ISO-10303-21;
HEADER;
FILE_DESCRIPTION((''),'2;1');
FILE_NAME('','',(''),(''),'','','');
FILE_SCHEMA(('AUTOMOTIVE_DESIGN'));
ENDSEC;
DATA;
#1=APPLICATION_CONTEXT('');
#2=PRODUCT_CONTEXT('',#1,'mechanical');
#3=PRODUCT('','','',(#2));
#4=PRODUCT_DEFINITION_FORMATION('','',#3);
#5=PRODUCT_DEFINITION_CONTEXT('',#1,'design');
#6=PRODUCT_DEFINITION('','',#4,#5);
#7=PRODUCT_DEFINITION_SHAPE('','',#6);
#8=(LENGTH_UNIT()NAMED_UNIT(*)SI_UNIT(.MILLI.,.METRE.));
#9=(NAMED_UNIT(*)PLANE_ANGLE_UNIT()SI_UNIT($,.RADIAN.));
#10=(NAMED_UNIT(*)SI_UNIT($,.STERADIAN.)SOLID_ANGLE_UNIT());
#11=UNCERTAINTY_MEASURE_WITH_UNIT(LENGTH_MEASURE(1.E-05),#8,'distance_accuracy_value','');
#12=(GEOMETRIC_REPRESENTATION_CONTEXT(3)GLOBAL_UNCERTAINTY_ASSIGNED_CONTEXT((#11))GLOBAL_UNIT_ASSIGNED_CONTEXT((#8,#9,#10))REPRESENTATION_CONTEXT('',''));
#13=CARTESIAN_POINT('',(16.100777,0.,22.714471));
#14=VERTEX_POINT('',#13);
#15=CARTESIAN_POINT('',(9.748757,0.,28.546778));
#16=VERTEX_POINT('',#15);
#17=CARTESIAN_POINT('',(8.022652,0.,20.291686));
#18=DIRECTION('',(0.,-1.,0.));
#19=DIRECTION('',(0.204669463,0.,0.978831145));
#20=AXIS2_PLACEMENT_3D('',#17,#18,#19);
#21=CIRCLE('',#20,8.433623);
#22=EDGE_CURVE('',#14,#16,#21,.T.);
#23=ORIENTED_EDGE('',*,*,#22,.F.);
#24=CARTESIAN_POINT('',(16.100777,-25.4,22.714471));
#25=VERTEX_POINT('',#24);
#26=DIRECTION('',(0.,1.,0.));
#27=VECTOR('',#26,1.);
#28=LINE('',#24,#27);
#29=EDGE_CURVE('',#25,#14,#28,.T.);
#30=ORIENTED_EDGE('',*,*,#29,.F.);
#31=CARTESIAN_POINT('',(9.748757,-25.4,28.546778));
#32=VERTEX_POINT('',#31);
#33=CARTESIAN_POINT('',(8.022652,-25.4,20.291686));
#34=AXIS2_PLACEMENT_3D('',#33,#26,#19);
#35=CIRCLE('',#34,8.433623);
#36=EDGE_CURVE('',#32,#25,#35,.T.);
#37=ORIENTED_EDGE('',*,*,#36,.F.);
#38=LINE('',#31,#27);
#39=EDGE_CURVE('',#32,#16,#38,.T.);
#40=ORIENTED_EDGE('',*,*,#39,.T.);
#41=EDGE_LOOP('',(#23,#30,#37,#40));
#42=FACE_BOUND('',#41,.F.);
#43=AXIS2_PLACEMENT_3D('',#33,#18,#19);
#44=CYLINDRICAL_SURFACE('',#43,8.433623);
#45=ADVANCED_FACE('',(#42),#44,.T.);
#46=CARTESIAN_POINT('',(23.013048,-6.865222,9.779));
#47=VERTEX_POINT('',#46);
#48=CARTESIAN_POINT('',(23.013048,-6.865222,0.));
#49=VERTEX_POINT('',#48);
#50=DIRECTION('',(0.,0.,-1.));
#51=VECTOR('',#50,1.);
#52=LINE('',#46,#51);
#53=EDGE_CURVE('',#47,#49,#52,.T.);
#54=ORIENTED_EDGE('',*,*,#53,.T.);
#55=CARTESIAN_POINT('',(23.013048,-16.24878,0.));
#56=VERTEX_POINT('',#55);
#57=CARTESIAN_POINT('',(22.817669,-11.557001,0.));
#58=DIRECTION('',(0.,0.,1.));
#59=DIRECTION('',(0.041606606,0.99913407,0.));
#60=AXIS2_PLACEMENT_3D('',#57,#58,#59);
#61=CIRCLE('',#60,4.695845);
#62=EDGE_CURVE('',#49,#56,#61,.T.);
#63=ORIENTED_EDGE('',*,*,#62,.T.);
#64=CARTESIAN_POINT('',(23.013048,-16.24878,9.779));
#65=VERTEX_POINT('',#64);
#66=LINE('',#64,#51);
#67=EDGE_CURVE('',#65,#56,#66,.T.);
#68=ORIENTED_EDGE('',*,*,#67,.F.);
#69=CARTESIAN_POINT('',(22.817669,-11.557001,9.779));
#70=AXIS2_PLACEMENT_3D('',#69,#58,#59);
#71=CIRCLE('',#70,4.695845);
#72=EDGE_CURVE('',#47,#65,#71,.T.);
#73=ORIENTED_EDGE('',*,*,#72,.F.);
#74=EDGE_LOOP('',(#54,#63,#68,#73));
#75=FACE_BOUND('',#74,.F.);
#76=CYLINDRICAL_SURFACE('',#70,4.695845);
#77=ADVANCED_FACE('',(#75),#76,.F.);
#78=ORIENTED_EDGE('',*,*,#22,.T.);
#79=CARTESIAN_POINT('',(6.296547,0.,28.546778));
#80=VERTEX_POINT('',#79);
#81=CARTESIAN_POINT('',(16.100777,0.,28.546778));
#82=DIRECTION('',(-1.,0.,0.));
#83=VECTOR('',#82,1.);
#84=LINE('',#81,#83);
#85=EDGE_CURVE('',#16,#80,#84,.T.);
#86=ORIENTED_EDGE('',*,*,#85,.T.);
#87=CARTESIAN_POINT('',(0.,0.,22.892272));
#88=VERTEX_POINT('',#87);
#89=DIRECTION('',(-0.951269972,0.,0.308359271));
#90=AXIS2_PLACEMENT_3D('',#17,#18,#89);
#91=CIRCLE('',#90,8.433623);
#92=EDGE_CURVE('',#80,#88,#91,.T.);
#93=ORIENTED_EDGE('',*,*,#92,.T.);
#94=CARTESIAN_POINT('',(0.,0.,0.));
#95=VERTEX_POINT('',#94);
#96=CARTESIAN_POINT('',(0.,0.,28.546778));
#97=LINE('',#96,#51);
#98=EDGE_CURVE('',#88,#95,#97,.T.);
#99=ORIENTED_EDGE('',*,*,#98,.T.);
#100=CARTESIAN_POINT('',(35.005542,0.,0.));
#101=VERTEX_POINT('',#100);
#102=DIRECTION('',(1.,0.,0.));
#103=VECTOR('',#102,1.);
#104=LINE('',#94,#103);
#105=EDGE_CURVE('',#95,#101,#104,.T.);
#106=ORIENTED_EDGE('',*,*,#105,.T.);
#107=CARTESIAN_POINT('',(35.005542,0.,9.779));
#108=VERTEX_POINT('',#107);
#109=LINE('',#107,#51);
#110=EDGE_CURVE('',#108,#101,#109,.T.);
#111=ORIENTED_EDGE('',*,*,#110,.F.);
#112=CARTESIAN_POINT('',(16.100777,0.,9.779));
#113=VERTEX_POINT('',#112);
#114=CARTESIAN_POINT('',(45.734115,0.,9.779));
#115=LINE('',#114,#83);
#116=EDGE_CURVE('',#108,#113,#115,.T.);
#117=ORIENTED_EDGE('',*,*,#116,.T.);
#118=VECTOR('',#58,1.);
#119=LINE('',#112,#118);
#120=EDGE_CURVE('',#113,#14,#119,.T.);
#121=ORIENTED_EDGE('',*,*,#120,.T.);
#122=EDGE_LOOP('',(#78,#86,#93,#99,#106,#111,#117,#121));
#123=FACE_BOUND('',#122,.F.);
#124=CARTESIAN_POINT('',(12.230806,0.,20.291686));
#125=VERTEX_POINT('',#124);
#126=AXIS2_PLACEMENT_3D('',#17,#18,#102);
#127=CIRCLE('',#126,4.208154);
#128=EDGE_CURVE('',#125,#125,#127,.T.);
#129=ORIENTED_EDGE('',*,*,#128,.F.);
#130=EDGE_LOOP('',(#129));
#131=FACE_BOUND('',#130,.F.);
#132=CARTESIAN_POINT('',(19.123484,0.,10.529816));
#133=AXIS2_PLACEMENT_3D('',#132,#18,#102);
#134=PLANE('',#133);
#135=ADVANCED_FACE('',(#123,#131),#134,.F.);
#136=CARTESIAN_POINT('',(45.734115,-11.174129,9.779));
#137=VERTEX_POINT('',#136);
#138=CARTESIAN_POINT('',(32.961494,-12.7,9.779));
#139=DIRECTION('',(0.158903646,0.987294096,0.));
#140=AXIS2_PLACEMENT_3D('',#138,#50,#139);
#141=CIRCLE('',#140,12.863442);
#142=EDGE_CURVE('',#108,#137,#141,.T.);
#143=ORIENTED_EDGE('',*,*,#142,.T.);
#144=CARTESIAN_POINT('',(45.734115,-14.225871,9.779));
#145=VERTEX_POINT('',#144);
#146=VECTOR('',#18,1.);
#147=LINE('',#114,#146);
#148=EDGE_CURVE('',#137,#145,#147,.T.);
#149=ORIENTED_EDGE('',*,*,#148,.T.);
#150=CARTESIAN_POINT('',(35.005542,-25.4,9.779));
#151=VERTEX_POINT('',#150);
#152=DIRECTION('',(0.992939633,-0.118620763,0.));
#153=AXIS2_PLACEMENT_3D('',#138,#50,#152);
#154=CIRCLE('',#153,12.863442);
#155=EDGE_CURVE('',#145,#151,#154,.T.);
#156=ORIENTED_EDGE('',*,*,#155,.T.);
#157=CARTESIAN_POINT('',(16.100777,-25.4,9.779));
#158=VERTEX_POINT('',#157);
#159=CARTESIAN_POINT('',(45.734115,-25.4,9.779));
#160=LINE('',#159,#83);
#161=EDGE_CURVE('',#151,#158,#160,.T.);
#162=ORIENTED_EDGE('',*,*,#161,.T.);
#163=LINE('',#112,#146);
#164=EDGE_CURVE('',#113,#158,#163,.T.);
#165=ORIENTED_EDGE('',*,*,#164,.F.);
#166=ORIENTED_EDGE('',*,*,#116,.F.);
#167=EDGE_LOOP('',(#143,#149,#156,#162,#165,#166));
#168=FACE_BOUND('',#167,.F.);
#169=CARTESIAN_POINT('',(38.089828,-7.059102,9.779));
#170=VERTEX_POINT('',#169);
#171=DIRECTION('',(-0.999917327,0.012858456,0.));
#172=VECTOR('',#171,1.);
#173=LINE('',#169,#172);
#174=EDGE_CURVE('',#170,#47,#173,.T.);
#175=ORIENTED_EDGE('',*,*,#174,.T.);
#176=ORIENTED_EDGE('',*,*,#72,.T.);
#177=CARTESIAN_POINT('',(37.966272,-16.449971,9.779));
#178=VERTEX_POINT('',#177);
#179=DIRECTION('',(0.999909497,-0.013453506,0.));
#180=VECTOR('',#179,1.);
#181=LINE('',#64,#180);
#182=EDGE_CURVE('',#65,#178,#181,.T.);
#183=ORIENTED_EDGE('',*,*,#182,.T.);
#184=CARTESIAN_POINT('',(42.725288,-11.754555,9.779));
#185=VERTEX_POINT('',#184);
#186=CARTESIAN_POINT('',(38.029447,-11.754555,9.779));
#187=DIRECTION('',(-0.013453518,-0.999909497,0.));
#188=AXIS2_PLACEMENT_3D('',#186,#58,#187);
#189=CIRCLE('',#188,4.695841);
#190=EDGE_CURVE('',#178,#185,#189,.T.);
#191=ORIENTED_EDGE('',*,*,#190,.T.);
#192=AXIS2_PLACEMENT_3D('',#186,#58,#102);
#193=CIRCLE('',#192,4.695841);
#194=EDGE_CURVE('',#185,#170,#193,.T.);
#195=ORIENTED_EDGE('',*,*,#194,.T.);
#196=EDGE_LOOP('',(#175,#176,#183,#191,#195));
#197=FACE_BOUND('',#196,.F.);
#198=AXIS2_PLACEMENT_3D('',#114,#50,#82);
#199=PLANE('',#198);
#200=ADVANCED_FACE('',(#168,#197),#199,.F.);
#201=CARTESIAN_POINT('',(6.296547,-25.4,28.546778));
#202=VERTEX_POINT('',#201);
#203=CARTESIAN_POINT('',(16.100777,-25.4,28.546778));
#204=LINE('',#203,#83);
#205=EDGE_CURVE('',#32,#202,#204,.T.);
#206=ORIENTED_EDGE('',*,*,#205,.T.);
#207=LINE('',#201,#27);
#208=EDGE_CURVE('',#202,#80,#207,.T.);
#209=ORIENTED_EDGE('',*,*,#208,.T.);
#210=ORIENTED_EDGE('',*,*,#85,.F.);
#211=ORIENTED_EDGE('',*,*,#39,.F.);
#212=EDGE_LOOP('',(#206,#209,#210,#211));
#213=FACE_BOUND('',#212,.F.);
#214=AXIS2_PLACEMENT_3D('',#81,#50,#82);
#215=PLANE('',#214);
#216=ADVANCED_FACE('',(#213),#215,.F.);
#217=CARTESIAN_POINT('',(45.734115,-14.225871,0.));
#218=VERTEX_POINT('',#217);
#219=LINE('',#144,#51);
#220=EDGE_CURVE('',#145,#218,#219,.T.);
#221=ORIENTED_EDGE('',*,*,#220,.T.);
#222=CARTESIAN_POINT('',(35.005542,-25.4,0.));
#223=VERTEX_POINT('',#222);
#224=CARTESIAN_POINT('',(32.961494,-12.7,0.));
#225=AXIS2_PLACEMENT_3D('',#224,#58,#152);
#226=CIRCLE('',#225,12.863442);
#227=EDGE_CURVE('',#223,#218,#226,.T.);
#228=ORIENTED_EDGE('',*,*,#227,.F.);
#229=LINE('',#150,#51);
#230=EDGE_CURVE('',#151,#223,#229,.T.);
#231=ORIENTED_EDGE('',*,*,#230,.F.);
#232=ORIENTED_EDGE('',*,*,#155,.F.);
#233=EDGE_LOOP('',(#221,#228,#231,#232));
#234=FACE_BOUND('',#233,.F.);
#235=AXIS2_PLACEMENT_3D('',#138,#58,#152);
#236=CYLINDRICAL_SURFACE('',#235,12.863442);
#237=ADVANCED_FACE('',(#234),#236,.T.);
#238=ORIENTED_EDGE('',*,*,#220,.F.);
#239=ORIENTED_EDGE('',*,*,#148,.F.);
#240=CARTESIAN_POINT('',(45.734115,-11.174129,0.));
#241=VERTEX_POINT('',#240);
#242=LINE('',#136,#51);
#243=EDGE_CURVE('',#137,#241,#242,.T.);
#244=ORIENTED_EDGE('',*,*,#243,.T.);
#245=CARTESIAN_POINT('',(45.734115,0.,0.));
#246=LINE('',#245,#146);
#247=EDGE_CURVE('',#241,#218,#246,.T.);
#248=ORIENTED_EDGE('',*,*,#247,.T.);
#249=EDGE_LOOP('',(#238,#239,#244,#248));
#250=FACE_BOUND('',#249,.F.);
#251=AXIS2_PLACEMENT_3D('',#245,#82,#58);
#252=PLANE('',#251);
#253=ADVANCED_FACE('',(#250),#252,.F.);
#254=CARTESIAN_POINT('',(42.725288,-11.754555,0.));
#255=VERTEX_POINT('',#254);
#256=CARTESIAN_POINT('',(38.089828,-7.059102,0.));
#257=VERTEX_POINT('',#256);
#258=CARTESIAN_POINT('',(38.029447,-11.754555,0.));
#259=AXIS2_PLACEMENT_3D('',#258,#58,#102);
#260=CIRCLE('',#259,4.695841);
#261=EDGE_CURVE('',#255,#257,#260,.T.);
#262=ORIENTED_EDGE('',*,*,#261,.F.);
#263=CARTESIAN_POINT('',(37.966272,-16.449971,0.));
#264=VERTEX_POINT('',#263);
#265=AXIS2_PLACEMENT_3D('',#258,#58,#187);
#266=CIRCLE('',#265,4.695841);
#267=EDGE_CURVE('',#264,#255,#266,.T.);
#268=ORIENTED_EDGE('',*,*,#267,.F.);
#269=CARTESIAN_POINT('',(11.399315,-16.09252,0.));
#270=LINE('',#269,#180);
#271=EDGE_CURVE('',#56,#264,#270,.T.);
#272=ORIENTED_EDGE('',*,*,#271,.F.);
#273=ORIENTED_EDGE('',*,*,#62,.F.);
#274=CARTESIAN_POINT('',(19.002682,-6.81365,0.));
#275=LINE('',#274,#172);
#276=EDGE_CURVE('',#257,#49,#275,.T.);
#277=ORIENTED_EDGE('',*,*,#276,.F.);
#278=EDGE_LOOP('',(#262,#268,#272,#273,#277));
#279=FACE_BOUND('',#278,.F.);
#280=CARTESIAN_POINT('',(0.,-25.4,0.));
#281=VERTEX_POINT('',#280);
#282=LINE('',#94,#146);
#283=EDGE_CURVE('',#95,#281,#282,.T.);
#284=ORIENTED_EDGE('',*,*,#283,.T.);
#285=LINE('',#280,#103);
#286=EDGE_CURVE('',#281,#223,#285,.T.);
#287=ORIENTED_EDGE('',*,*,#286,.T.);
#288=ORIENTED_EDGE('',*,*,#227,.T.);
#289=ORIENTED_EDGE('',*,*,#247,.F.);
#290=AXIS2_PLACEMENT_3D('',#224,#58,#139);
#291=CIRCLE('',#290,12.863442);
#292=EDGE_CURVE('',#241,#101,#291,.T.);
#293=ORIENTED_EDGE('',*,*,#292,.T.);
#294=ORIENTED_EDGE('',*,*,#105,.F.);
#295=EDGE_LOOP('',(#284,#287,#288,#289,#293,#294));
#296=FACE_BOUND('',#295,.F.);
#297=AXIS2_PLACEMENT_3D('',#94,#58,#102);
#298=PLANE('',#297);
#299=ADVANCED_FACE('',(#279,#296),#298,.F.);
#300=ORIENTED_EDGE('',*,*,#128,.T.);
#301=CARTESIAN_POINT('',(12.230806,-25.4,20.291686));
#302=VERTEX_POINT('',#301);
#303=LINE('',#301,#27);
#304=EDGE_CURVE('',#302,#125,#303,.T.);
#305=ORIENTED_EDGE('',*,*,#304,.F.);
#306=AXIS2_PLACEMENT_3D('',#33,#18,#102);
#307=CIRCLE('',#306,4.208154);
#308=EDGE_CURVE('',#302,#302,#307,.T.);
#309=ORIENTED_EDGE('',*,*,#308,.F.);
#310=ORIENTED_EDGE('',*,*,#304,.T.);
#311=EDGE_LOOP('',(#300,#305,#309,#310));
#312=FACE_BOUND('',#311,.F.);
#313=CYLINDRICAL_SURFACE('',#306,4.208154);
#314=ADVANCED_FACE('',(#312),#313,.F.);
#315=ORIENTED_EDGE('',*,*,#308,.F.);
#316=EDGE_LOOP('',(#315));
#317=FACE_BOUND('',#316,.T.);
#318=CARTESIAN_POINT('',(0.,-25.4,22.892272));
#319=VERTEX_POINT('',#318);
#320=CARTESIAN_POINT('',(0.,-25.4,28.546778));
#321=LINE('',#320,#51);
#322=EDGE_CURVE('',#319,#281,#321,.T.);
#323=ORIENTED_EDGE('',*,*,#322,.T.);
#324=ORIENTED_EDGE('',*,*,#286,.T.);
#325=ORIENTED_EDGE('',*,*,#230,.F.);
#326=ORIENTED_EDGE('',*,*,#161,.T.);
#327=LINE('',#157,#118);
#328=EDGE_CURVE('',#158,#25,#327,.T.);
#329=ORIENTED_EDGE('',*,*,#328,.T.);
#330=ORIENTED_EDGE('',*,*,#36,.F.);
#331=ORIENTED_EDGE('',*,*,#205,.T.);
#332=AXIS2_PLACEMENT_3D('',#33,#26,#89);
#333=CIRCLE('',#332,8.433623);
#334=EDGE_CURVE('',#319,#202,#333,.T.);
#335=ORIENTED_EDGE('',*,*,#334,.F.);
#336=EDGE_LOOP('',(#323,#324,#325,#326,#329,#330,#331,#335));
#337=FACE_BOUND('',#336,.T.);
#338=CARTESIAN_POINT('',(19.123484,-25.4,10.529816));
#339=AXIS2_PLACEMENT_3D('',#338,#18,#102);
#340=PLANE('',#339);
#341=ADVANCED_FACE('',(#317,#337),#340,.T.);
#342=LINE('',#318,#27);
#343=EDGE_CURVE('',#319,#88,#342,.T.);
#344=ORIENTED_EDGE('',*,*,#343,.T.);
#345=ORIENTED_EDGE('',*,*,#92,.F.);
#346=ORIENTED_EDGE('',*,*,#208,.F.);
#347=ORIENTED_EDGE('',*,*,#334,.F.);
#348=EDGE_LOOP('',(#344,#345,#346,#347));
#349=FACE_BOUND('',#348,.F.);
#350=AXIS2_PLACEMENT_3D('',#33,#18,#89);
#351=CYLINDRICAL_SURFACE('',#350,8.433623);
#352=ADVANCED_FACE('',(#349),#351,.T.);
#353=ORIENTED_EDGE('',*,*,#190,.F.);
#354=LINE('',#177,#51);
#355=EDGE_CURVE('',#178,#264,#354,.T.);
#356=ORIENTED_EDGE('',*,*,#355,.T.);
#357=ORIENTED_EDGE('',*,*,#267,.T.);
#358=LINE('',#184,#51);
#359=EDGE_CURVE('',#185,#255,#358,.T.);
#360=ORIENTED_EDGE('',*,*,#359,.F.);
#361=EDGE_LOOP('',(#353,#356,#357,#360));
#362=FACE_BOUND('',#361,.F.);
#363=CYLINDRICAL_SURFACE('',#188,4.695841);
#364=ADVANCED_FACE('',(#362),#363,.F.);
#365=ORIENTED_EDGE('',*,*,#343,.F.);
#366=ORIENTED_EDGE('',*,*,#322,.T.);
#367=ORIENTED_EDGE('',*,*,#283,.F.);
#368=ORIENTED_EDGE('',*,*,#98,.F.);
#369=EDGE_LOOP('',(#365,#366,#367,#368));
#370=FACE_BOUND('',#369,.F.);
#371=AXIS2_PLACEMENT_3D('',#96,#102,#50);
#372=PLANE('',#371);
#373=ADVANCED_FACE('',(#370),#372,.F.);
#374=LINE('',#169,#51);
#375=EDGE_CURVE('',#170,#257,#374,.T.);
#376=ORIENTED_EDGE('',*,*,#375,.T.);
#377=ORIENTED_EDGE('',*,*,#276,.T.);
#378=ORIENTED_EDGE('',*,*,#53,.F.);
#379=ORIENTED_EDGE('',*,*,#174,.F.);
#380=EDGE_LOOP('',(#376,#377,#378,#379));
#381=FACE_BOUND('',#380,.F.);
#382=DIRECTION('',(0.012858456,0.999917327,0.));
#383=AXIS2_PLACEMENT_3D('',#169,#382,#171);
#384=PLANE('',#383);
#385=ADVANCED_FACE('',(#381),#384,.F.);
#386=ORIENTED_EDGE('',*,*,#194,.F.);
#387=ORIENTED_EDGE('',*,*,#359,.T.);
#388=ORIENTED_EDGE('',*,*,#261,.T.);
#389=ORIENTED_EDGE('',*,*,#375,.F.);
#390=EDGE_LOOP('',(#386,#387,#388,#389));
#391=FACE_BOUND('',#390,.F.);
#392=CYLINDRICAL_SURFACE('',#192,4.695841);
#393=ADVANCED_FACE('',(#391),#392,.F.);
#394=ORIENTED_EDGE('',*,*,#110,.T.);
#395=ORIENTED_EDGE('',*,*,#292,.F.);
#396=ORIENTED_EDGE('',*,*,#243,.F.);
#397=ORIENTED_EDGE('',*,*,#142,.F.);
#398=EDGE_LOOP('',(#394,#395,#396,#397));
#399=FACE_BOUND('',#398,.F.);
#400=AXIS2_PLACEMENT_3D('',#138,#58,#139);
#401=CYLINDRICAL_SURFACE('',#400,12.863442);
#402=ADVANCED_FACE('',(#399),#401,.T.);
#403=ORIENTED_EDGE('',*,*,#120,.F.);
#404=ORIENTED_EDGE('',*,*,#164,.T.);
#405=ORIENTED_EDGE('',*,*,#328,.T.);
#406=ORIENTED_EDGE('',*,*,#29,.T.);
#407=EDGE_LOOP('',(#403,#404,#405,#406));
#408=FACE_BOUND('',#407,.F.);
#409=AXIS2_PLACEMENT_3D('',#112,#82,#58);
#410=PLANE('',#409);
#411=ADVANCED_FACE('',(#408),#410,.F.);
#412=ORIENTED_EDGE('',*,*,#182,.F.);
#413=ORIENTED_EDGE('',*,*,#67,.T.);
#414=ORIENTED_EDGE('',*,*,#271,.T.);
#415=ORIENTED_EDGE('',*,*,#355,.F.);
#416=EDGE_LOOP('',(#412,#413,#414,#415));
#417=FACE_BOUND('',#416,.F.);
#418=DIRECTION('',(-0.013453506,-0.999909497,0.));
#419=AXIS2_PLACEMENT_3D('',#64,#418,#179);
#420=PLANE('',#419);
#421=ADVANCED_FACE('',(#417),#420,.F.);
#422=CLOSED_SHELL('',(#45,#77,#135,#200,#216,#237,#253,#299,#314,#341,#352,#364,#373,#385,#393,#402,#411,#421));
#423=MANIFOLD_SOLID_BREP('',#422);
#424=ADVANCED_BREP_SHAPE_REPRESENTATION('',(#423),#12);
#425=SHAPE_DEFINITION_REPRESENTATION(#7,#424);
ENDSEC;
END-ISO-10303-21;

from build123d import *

# Parameters (mm, degrees)
F1_DEPTH = 25.4
F3_DEPTH = 9.7799997235
F5_DEPTH = 9.7799997235
F7_DEPTH = 25.401
F8_R     = 4.2081540675
F9_DEPTH = 25.401


with BuildPart() as f1:
    # F0 (on Front) → F1 (new body)
    with BuildSketch(Plane.XZ):
        Polygon((0, 28.5467784852), (0, 0), (45.7341149449, 0), (45.7341149449, 9.7789997235), (16.1007773131, 9.7789997235), (16.1007773131, 28.5467784852), align=None)
    extrude(amount=F1_DEPTH)

    # F2 (on face) → F3 (cut, through all)
    with BuildSketch(Plane.XY.offset(9.7789997235)):
        with BuildLine():
            ThreePointArc((23.013047613, -16.2487795257), (26.2065060315, -14.8076541333), (27.5135145448, -11.5570006892))
            ThreePointArc((27.5135145448, -11.5570006892), (26.2065060315, -8.3063472451), (23.013047613, -6.8652218527))
            ThreePointArc((23.013047613, -6.8652218527), (18.1218243279, -11.5570006892), (23.013047613, -16.2487795257))
        make_face()
        with BuildLine():
            ThreePointArc((23.013047613, -6.8652218527), (26.2065060315, -8.3063472451), (27.5135145448, -11.5570006892))
            ThreePointArc((27.5135145448, -11.5570006892), (26.2065060315, -14.8076541333), (23.013047613, -16.2487795257))
            Line((23.013047613, -16.2487795257), (37.966271611, -16.4499710275))
            ThreePointArc((37.966271611, -16.4499710275), (33.334012479, -11.6927764727), (38.0898284635, -7.0591020107))
            Line((38.0898284635, -7.0591020107), (23.013047613, -6.8652218527))
        make_face()
        with BuildLine():
            ThreePointArc((42.7252883073, -11.7545549017), (41.3711881032, -8.4555108805), (38.0898284635, -7.0591020107))
            ThreePointArc((38.0898284635, -7.0591020107), (33.334012479, -11.6927764727), (37.966271611, -16.4499710275))
            ThreePointArc((37.966271611, -16.4499710275), (41.327496713, -15.0972773142), (42.7252883073, -11.7545549017))
        make_face()
    extrude(amount=-F3_DEPTH, mode=Mode.SUBTRACT)

    # F4 (on face) → F5 (cut, through all)
    with BuildSketch(Plane.XY.offset(9.7789997235)):
        with BuildLine():
            ThreePointArc((35.0055416845, 0), (42.2404327965, -3.7910480752), (45.7341149449, -11.17412873))
            Line((45.7341149449, -11.17412873), (45.7341149449, 0))
            Line((45.7341149449, 0), (35.0055416845, 0))
        make_face()
        with BuildLine():
            ThreePointArc((45.7341149449, -14.22587127), (42.2404327965, -21.6089519248), (35.0055416845, -25.4))
            Line((35.0055416845, -25.4), (45.7341149449, -25.4))
            Line((45.7341149449, -25.4), (45.7341149449, -14.22587127))
        make_face()
    extrude(amount=-F5_DEPTH, mode=Mode.SUBTRACT)

    # F6 (on face) → F7 (cut, through all)
    with BuildSketch(Plane.XZ.offset(25.4)):
        with BuildLine():
            ThreePointArc((0, 22.8922715803), (2.3876784288, 26.566481818), (6.2965470963, 28.5467784852))
            Line((6.2965470963, 28.5467784852), (0, 28.5467784852))
            Line((0, 28.5467784852), (0, 22.8922715803))
        make_face()
        with BuildLine():
            ThreePointArc((9.7487572031, 28.5467784852), (13.7265705753, 26.5038761141), (16.1007773131, 22.7144709249))
            Line((16.1007773131, 22.7144709249), (16.1007773131, 28.5467784852))
            Line((16.1007773131, 28.5467784852), (9.7487572031, 28.5467784852))
        make_face()
    extrude(amount=-F7_DEPTH, mode=Mode.SUBTRACT)

    # F8 (on face) → F9 (cut, through all)
    with BuildSketch(Plane.XZ.offset(25.4)):
        with Locations((8.0226521497, 20.2916857982)):
            Circle(F8_R)
    extrude(amount=-F9_DEPTH, mode=Mode.SUBTRACT)


solid = f1.part
